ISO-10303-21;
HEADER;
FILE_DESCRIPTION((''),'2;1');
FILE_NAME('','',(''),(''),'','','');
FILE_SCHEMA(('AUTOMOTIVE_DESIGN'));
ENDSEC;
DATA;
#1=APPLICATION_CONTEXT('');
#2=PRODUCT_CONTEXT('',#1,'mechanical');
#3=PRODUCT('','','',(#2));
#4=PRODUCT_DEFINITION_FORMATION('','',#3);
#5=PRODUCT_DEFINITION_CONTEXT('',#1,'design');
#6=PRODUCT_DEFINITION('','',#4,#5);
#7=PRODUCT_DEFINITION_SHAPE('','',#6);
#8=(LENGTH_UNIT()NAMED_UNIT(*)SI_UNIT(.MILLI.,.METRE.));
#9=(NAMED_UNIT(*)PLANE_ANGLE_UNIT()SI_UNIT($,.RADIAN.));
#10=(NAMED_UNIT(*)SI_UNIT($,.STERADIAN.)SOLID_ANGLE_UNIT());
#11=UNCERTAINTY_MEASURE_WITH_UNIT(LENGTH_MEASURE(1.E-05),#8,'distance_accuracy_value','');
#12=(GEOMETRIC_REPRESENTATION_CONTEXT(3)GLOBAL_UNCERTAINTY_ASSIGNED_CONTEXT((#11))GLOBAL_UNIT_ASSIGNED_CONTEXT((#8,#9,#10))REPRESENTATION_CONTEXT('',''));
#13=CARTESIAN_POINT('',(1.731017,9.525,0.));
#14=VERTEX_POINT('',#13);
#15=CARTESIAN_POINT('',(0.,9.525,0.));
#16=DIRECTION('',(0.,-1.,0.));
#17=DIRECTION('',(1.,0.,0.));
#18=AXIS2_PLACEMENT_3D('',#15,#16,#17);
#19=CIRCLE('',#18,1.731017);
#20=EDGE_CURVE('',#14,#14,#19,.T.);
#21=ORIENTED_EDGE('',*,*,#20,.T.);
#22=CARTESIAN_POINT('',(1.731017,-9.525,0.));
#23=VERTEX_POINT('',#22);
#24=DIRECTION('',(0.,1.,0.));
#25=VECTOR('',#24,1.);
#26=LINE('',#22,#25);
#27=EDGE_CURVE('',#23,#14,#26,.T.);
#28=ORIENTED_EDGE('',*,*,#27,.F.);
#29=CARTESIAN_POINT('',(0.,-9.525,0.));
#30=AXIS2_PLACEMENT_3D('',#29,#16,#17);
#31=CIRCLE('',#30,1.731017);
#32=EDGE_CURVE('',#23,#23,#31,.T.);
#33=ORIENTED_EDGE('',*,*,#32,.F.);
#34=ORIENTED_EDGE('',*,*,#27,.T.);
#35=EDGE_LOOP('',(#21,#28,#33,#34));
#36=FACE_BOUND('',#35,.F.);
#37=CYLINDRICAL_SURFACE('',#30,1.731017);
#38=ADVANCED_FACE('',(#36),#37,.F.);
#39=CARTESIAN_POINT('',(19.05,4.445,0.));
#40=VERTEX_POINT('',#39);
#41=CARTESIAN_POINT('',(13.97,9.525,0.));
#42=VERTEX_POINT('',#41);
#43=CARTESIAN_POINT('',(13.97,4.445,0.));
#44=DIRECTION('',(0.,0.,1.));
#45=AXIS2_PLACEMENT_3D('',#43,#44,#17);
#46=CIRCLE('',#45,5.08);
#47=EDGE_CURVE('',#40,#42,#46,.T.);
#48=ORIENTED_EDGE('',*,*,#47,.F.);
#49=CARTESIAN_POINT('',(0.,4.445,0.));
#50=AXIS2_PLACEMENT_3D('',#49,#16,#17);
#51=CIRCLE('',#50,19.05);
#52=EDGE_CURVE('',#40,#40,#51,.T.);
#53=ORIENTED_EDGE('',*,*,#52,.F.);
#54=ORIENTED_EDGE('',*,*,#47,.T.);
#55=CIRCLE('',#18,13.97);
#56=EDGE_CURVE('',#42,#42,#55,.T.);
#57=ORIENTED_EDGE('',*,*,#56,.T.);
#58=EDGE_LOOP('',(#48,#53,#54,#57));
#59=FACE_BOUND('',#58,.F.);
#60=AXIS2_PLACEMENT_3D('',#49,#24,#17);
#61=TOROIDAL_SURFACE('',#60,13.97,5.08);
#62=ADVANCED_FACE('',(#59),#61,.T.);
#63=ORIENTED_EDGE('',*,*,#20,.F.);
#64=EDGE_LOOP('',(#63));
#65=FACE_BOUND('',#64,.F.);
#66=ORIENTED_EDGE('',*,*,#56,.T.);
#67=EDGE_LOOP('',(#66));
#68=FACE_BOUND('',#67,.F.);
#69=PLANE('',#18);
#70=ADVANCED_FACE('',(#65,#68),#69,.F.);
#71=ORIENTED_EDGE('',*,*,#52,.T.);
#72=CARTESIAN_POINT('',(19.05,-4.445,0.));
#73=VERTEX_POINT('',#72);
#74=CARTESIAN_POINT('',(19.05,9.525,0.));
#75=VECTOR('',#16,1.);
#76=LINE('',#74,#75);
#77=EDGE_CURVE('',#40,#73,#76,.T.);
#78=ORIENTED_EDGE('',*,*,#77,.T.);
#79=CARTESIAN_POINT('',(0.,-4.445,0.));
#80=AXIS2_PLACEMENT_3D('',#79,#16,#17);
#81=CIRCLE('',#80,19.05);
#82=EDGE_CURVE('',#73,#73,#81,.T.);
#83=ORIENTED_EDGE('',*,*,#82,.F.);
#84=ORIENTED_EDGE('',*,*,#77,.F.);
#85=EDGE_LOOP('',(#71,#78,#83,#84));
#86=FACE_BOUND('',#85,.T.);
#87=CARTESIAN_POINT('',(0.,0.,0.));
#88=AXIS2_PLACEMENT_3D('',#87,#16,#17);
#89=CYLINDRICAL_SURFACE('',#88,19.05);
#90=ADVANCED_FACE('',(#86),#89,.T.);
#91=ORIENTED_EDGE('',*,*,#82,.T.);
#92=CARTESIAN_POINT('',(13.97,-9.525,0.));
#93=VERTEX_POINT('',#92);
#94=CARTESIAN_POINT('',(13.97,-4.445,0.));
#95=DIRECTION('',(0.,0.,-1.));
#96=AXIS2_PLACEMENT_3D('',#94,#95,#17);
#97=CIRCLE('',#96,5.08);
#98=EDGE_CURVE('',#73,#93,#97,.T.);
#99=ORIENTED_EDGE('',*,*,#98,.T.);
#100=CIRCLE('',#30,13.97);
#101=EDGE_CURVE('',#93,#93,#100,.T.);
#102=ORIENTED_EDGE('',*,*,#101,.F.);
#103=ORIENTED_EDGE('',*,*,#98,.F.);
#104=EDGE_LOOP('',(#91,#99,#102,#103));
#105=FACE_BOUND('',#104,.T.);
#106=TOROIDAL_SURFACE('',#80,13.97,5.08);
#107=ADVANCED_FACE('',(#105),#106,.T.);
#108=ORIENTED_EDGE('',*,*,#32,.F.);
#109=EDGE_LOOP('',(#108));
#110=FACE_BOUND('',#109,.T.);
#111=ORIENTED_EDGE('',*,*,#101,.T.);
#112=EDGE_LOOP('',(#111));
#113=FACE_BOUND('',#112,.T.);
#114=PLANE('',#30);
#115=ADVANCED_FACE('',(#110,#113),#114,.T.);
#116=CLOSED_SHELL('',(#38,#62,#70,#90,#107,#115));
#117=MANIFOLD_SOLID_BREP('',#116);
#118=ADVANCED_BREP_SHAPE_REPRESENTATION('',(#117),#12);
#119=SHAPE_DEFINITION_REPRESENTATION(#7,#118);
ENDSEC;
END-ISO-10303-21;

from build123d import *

# Parameters (mm, degrees)
F0_R     = 19.05
F1_DEPTH = 9.525
F2_R     = 5.08
F3_R     = 1.731017
F4_DEPTH = 19.05


with BuildPart() as f1:
    # F0 (on Front) → F1 (new body, symmetric)
    with BuildSketch(Plane.XZ):
        Circle(F0_R)
    extrude(amount=F1_DEPTH, both=True)

    # F2
    f2_edges = [f1.edges().sort_by_distance(p)[0] for p in [
        (-19.05, -9.525, 0),
        (-19.05, 9.525, 0),
    ]]
    fillet(f2_edges, radius=F2_R)

    # F3 (on face) → F4 (cut)
    with BuildSketch(Plane.XZ.offset(9.525)):
        Circle(F3_R)
    extrude(amount=-F4_DEPTH, mode=Mode.SUBTRACT)


solid = f1.part
